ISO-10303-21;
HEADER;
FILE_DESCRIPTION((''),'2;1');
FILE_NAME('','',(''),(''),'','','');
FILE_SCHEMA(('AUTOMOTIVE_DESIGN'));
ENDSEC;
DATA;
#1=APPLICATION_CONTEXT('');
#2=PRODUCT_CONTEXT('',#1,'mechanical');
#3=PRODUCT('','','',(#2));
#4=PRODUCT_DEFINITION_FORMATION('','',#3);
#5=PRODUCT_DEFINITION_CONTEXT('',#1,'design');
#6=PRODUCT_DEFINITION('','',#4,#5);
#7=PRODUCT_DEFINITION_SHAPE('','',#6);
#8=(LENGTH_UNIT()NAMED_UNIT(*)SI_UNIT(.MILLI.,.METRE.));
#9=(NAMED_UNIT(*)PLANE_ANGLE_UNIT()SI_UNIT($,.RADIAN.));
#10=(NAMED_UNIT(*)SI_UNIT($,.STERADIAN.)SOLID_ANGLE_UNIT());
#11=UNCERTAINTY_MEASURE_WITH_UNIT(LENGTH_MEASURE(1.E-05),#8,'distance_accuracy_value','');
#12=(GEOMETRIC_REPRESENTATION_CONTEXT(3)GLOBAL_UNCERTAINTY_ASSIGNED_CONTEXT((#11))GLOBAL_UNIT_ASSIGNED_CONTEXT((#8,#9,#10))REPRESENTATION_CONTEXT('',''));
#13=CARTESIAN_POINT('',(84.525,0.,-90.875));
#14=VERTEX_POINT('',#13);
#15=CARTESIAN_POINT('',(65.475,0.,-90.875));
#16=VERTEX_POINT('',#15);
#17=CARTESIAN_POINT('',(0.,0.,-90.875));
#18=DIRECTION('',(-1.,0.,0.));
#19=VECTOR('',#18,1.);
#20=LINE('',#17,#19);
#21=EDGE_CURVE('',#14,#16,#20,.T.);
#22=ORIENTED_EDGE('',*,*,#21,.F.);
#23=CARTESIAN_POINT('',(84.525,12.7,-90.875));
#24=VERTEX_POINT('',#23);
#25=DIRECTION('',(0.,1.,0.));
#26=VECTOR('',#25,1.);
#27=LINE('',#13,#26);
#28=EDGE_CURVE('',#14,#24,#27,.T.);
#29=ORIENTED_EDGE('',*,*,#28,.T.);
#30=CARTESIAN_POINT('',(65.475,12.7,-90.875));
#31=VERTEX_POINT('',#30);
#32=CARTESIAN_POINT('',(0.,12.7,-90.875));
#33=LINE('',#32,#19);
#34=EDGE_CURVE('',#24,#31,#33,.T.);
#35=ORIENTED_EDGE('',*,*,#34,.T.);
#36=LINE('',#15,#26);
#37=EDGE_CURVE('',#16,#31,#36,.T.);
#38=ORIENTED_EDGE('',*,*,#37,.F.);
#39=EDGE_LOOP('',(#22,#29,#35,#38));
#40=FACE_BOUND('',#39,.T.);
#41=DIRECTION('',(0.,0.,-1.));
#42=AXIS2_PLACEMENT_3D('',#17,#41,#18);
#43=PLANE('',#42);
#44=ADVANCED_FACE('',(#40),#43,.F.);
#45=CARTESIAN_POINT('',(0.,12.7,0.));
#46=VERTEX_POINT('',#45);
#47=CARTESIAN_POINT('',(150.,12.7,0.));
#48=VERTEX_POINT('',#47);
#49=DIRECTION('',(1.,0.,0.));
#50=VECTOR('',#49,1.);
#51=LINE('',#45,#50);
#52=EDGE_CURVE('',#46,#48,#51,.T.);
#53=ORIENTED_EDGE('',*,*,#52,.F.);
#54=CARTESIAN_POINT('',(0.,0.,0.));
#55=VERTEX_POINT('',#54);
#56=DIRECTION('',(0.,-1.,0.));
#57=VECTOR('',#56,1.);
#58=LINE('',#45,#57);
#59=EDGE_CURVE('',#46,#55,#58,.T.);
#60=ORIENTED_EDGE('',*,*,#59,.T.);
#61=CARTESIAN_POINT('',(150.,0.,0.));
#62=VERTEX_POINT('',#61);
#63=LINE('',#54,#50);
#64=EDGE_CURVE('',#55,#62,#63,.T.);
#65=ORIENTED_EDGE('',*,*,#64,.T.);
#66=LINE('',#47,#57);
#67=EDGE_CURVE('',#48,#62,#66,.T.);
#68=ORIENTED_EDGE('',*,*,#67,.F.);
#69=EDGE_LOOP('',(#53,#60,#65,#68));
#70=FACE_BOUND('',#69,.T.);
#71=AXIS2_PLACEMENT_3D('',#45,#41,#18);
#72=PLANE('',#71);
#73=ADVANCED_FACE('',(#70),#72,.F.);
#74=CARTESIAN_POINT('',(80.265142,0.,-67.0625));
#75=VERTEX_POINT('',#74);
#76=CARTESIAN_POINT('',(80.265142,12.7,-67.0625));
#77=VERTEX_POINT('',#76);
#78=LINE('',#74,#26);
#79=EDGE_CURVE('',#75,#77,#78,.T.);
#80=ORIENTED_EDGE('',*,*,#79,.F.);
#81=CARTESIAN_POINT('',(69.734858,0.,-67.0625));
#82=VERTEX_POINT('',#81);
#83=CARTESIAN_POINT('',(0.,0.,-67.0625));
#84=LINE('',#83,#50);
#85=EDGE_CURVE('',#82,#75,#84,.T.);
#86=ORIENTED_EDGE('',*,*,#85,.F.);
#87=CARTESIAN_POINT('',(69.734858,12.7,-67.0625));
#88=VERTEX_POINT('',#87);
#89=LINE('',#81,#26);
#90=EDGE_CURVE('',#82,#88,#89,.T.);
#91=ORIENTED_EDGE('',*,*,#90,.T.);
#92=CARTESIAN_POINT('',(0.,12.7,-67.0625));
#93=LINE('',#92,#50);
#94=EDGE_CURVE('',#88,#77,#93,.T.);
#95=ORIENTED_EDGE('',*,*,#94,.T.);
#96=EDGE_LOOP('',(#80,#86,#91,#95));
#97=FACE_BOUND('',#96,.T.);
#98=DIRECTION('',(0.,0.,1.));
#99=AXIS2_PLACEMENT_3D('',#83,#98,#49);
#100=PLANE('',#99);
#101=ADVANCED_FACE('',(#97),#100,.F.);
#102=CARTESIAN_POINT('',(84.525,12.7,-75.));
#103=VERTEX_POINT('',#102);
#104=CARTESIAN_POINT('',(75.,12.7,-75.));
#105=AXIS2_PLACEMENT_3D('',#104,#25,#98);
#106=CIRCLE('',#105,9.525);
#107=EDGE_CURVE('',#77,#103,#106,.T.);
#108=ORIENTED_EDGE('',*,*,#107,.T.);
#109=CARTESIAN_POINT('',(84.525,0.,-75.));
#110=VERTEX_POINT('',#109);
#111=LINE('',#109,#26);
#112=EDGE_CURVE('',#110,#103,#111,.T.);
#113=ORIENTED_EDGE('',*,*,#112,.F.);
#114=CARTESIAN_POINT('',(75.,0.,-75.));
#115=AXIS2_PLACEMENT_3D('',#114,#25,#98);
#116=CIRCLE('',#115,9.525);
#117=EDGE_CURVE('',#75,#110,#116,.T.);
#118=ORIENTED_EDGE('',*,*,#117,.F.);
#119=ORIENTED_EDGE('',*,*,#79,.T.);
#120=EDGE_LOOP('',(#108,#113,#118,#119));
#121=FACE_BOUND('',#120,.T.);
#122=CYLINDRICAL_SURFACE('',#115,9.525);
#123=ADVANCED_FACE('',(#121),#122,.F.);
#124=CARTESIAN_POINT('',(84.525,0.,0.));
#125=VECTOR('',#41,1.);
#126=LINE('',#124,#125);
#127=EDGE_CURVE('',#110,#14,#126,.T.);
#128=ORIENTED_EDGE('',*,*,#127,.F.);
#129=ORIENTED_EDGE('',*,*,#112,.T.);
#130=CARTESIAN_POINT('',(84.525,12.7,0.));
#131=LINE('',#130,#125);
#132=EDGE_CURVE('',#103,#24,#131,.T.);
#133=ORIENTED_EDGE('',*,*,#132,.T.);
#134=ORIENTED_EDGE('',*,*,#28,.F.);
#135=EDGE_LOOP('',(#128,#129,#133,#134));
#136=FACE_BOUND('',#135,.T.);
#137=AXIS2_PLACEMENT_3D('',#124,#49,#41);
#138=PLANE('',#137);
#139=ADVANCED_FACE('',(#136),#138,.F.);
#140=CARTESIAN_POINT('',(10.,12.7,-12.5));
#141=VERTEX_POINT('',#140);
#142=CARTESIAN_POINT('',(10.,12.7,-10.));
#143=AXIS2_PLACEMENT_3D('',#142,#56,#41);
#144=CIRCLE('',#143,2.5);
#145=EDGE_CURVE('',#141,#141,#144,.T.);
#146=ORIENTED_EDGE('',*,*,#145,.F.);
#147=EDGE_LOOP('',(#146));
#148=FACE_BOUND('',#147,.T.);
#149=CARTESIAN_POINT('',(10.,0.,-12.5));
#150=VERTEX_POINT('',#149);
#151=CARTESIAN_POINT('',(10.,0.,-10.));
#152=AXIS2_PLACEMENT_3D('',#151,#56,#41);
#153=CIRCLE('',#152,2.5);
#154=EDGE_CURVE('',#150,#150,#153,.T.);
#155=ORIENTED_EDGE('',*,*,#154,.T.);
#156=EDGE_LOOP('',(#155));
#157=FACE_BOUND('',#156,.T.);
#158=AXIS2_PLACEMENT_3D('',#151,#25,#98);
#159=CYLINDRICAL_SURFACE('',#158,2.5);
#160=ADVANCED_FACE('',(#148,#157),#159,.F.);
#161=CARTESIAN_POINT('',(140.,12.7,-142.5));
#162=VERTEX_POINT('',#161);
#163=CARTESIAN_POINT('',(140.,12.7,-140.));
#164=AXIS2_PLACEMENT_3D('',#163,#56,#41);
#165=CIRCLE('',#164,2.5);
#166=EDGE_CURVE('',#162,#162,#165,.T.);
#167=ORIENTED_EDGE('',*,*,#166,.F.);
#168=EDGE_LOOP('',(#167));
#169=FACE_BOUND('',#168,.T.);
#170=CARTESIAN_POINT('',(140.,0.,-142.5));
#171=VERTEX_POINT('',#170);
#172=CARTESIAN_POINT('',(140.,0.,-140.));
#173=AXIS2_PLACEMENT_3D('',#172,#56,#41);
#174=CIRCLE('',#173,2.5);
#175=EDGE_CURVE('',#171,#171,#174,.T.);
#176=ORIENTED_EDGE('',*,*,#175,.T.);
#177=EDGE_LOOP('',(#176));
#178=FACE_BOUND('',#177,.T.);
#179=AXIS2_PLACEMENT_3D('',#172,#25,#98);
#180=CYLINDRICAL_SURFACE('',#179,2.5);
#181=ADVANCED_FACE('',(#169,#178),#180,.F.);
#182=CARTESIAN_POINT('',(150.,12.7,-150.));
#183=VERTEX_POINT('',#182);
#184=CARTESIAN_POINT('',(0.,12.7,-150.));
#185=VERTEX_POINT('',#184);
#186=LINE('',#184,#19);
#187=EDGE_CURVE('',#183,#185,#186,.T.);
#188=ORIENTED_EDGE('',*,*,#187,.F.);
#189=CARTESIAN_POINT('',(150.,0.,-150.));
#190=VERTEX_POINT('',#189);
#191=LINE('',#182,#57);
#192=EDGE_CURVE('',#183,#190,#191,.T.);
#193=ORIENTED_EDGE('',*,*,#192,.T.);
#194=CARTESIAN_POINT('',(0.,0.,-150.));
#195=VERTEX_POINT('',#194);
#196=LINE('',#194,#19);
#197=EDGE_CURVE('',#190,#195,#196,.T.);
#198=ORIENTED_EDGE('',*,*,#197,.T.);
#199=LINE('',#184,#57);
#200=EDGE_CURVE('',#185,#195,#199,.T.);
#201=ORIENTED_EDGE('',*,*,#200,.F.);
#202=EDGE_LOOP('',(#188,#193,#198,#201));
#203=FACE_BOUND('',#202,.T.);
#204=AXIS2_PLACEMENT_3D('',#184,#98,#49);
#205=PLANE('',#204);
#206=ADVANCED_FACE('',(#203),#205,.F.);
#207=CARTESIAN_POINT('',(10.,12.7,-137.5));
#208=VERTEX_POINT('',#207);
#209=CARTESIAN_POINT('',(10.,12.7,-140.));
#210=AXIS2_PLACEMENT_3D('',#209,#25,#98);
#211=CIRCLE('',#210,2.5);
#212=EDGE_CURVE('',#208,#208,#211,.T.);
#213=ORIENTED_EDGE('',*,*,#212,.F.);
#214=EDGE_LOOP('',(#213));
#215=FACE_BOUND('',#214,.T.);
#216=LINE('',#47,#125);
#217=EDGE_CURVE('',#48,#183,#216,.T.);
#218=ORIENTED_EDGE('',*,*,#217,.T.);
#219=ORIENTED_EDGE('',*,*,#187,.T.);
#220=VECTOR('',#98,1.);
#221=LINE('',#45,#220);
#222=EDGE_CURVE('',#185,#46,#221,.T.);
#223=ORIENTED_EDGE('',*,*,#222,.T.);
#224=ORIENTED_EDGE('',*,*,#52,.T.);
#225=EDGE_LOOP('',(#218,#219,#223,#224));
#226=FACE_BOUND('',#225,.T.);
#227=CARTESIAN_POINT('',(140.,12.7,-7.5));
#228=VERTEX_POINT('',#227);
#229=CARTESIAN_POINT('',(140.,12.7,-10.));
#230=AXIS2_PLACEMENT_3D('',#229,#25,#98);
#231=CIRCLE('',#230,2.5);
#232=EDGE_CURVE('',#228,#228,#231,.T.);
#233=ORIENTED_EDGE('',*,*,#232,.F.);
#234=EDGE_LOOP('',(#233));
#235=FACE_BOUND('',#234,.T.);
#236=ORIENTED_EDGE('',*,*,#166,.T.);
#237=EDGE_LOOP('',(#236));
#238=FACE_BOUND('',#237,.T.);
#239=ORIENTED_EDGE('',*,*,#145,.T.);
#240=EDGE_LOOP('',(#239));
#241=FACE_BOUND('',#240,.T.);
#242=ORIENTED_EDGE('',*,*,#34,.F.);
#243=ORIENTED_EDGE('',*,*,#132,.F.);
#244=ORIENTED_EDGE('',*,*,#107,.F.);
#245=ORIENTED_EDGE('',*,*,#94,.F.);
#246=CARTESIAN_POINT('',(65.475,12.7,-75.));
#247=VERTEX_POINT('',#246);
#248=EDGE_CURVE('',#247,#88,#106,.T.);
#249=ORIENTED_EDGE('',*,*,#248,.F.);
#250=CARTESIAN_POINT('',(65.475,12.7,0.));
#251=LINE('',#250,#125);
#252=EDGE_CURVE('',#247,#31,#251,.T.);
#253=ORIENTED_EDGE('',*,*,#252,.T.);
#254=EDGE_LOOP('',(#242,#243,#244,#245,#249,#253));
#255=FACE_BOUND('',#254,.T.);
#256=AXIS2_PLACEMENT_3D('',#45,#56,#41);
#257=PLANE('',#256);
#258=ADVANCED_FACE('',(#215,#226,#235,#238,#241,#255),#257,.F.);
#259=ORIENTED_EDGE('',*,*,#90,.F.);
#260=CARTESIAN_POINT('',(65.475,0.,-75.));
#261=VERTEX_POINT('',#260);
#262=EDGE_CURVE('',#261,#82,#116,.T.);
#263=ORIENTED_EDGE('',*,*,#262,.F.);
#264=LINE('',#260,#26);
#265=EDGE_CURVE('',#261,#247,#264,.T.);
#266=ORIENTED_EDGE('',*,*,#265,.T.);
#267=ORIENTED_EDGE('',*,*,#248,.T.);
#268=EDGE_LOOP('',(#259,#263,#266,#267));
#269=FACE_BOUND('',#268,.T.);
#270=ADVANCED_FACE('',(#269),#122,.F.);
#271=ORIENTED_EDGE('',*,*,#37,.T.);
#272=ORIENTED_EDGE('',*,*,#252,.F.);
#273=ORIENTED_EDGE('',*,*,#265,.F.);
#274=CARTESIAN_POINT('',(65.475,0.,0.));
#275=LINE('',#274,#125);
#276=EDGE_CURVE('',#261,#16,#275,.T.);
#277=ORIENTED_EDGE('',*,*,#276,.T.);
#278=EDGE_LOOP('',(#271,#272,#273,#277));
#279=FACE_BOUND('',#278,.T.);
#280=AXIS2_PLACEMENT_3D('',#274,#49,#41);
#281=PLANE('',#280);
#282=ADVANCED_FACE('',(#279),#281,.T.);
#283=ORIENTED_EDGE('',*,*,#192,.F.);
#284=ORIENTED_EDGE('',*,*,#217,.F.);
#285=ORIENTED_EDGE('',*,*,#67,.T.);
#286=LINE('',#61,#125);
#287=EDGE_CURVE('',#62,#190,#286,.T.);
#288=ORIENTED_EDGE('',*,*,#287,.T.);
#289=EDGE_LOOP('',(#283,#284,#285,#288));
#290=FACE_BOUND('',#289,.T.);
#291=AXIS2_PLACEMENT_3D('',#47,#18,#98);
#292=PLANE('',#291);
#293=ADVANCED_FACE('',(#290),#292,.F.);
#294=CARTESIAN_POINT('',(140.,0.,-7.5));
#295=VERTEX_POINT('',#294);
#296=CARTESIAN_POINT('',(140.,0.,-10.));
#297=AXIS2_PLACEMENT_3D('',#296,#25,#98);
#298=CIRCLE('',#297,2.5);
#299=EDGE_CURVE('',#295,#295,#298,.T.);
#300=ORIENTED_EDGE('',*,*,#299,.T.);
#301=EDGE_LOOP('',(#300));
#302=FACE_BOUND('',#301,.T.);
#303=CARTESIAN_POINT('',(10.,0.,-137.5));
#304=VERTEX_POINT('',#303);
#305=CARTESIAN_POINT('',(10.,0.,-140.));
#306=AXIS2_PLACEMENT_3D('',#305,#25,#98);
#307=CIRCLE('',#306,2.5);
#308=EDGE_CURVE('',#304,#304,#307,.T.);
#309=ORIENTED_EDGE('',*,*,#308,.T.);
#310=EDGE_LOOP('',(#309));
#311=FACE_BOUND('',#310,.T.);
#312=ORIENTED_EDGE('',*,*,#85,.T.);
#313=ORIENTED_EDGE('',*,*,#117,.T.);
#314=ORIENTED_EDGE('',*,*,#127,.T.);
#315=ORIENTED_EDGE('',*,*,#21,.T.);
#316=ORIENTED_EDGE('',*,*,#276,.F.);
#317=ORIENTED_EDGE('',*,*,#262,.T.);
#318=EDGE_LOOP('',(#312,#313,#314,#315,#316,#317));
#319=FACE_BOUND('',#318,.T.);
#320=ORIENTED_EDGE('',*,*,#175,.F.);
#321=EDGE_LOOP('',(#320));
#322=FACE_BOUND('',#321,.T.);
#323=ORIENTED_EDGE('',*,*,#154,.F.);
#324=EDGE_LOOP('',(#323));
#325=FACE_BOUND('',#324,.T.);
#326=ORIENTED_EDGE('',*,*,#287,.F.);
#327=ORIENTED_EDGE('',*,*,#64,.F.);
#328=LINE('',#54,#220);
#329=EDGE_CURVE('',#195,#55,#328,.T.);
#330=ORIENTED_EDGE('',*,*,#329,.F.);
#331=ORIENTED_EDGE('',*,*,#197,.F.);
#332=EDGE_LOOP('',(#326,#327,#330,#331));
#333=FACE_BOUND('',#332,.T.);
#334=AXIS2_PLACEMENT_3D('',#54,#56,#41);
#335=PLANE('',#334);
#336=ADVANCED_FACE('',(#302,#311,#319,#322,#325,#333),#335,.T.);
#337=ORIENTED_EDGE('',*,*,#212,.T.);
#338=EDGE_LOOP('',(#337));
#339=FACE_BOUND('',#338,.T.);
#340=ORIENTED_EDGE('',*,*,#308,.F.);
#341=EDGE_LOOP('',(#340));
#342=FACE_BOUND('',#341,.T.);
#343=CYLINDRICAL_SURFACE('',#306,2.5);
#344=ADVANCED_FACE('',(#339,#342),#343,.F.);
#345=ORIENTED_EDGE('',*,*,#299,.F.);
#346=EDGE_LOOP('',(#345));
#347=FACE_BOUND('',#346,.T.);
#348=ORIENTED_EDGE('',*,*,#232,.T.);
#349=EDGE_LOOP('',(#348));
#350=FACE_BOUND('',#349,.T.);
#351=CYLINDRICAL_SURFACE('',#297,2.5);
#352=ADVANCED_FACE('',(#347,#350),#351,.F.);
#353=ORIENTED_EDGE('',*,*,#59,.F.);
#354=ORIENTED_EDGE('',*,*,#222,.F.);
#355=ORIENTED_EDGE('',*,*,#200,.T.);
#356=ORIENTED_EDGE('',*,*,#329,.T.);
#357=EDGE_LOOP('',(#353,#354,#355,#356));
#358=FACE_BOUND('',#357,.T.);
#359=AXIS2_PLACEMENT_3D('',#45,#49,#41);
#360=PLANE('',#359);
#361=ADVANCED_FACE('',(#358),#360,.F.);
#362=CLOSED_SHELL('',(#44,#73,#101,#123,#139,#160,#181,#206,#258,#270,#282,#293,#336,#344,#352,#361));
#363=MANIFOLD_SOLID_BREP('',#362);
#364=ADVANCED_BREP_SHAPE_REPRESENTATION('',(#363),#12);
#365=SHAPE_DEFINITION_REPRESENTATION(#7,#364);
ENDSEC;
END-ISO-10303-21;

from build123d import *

# Parameters (mm, degrees)
SKETCH1_W           = 150
SKETCH1_H           = 150
BOSS_EXTRUDE1_DEPTH = 12.7
SKETCH2_W           = 10.53028371
SKETCH2_H           = 7.9375
SKETCH2_R           = 2.5
CUT_EXTRUDE1_DEPTH  = 12.7


with BuildPart() as part:
    # Sketch1 → Boss-Extrude1 (new body)
    with BuildSketch(Plane(origin=(0, 0, 0), x_dir=(1, 0, 0), z_dir=(0, 1, 0))):
        with Locations((75, 75)):
            Rectangle(SKETCH1_W, SKETCH1_H)
    extrude(amount=BOSS_EXTRUDE1_DEPTH)

    # Sketch2 → Cut-Extrude1 (cut)
    with BuildSketch(Plane(origin=(0, 12.7, 0), x_dir=(1, 0, 0), z_dir=(0, 1, 0))):
        with BuildLine():
            ThreePointArc((80.265141855, 82.9375), (83.392737967, 79.504173), (84.525, 75))
            Line((84.525, 75), (84.525, 90.875))
            Line((84.525, 90.875), (65.475, 90.875))
            Line((65.475, 90.875), (65.475, 75))
            ThreePointArc((65.475, 75), (66.607262033, 79.504173), (69.734858145, 82.9375))
            ThreePointArc((69.734858145, 82.9375), (75, 84.525), (80.265141855, 82.9375))
        make_face()
        with BuildLine():
            ThreePointArc((80.265141855, 67.0625), (83.392737967, 70.495827), (84.525, 75))
            Line((84.525, 75), (80.265141855, 75))
            Line((80.265141855, 75), (80.265141855, 67.0625))
        make_face()
        with BuildLine():
            Line((80.265141855, 75), (84.525, 75))
            ThreePointArc((84.525, 75), (83.392737967, 79.504173), (80.265141855, 82.9375))
            Line((80.265141855, 82.9375), (80.265141855, 75))
        make_face()
        with BuildLine():
            Line((69.734858145, 67.0625), (69.734858145, 75))
            Line((69.734858145, 75), (65.475, 75))
            ThreePointArc((65.475, 75), (66.607262033, 70.495827), (69.734858145, 67.0625))
        make_face()
        with BuildLine():
            Line((65.475, 75), (69.734858145, 75))
            Line((69.734858145, 75), (69.734858145, 82.9375))
            ThreePointArc((69.734858145, 82.9375), (66.607262033, 79.504173), (65.475, 75))
        make_face()
        with Locations((75, 78.96875)):
            Rectangle(SKETCH2_W, SKETCH2_H)
        with BuildLine():
            Line((69.734858145, 82.9375), (80.265141855, 82.9375))
            ThreePointArc((80.265141855, 82.9375), (75, 84.525), (69.734858145, 82.9375))
        make_face()
        with Locations((75, 71.03125)):
            Rectangle(SKETCH2_W, SKETCH2_H)
        with Locations((10, 140)):
            Circle(SKETCH2_R)
        with Locations((140, 140)):
            Circle(SKETCH2_R)
        with Locations((140, 10)):
            Circle(SKETCH2_R)
        with Locations((10, 10)):
            Circle(SKETCH2_R)
    extrude(amount=-CUT_EXTRUDE1_DEPTH, mode=Mode.SUBTRACT)


solid = part.part
